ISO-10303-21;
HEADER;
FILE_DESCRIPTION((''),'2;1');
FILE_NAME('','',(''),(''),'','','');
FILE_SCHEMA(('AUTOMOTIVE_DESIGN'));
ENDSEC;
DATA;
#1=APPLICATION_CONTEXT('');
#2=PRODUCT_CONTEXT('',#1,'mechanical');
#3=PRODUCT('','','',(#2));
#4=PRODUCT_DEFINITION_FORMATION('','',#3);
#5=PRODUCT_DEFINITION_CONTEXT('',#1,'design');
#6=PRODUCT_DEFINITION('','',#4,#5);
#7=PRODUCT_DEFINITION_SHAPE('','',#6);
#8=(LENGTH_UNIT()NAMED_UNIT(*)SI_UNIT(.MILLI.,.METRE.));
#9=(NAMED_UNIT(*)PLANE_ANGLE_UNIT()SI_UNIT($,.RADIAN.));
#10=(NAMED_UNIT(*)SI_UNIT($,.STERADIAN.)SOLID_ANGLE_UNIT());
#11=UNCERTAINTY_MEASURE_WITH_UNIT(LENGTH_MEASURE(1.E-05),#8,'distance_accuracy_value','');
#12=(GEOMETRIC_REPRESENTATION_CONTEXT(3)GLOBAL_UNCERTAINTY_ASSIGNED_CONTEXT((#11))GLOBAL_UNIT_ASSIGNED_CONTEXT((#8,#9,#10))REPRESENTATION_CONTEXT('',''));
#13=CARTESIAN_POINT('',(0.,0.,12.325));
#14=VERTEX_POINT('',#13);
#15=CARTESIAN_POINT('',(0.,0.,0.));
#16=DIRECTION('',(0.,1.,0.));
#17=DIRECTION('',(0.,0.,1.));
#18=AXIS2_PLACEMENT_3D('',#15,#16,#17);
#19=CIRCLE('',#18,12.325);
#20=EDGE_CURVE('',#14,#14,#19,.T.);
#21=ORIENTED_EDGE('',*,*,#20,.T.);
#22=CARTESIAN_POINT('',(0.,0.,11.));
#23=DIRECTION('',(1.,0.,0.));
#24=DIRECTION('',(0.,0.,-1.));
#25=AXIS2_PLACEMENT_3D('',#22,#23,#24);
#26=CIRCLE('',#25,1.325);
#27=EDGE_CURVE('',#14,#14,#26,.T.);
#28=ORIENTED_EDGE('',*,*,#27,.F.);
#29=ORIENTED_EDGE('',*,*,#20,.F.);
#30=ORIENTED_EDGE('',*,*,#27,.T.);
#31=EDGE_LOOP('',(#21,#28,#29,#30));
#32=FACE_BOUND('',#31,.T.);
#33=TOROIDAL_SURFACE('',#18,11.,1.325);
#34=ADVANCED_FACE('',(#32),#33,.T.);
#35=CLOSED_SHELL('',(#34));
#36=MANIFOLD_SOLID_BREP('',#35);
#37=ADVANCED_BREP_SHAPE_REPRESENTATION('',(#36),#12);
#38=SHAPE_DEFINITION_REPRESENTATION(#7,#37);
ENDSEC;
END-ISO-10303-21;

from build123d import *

# Parameters (mm, degrees)
SWEEP_1_PROFILE_R = 1.325


with BuildPart() as part:
    # 扫描1: sweep along a path in 草图1
    with BuildLine(Plane(origin=(0, 0, 0), x_dir=(1, 0, 0), z_dir=(0, 1, 0))) as sweep_1_path:
        CenterArc((0, 0), 11, 0, 360)
    # 扫描1 profile (on start of the path) → 扫描1 (sweep)
    with BuildSketch(Plane(origin=(11, 0, 0), x_dir=(-1, 0, 0), z_dir=(0, 0, -1))):
        Circle(SWEEP_1_PROFILE_R)
    sweep(path=sweep_1_path.line)


solid = part.part
